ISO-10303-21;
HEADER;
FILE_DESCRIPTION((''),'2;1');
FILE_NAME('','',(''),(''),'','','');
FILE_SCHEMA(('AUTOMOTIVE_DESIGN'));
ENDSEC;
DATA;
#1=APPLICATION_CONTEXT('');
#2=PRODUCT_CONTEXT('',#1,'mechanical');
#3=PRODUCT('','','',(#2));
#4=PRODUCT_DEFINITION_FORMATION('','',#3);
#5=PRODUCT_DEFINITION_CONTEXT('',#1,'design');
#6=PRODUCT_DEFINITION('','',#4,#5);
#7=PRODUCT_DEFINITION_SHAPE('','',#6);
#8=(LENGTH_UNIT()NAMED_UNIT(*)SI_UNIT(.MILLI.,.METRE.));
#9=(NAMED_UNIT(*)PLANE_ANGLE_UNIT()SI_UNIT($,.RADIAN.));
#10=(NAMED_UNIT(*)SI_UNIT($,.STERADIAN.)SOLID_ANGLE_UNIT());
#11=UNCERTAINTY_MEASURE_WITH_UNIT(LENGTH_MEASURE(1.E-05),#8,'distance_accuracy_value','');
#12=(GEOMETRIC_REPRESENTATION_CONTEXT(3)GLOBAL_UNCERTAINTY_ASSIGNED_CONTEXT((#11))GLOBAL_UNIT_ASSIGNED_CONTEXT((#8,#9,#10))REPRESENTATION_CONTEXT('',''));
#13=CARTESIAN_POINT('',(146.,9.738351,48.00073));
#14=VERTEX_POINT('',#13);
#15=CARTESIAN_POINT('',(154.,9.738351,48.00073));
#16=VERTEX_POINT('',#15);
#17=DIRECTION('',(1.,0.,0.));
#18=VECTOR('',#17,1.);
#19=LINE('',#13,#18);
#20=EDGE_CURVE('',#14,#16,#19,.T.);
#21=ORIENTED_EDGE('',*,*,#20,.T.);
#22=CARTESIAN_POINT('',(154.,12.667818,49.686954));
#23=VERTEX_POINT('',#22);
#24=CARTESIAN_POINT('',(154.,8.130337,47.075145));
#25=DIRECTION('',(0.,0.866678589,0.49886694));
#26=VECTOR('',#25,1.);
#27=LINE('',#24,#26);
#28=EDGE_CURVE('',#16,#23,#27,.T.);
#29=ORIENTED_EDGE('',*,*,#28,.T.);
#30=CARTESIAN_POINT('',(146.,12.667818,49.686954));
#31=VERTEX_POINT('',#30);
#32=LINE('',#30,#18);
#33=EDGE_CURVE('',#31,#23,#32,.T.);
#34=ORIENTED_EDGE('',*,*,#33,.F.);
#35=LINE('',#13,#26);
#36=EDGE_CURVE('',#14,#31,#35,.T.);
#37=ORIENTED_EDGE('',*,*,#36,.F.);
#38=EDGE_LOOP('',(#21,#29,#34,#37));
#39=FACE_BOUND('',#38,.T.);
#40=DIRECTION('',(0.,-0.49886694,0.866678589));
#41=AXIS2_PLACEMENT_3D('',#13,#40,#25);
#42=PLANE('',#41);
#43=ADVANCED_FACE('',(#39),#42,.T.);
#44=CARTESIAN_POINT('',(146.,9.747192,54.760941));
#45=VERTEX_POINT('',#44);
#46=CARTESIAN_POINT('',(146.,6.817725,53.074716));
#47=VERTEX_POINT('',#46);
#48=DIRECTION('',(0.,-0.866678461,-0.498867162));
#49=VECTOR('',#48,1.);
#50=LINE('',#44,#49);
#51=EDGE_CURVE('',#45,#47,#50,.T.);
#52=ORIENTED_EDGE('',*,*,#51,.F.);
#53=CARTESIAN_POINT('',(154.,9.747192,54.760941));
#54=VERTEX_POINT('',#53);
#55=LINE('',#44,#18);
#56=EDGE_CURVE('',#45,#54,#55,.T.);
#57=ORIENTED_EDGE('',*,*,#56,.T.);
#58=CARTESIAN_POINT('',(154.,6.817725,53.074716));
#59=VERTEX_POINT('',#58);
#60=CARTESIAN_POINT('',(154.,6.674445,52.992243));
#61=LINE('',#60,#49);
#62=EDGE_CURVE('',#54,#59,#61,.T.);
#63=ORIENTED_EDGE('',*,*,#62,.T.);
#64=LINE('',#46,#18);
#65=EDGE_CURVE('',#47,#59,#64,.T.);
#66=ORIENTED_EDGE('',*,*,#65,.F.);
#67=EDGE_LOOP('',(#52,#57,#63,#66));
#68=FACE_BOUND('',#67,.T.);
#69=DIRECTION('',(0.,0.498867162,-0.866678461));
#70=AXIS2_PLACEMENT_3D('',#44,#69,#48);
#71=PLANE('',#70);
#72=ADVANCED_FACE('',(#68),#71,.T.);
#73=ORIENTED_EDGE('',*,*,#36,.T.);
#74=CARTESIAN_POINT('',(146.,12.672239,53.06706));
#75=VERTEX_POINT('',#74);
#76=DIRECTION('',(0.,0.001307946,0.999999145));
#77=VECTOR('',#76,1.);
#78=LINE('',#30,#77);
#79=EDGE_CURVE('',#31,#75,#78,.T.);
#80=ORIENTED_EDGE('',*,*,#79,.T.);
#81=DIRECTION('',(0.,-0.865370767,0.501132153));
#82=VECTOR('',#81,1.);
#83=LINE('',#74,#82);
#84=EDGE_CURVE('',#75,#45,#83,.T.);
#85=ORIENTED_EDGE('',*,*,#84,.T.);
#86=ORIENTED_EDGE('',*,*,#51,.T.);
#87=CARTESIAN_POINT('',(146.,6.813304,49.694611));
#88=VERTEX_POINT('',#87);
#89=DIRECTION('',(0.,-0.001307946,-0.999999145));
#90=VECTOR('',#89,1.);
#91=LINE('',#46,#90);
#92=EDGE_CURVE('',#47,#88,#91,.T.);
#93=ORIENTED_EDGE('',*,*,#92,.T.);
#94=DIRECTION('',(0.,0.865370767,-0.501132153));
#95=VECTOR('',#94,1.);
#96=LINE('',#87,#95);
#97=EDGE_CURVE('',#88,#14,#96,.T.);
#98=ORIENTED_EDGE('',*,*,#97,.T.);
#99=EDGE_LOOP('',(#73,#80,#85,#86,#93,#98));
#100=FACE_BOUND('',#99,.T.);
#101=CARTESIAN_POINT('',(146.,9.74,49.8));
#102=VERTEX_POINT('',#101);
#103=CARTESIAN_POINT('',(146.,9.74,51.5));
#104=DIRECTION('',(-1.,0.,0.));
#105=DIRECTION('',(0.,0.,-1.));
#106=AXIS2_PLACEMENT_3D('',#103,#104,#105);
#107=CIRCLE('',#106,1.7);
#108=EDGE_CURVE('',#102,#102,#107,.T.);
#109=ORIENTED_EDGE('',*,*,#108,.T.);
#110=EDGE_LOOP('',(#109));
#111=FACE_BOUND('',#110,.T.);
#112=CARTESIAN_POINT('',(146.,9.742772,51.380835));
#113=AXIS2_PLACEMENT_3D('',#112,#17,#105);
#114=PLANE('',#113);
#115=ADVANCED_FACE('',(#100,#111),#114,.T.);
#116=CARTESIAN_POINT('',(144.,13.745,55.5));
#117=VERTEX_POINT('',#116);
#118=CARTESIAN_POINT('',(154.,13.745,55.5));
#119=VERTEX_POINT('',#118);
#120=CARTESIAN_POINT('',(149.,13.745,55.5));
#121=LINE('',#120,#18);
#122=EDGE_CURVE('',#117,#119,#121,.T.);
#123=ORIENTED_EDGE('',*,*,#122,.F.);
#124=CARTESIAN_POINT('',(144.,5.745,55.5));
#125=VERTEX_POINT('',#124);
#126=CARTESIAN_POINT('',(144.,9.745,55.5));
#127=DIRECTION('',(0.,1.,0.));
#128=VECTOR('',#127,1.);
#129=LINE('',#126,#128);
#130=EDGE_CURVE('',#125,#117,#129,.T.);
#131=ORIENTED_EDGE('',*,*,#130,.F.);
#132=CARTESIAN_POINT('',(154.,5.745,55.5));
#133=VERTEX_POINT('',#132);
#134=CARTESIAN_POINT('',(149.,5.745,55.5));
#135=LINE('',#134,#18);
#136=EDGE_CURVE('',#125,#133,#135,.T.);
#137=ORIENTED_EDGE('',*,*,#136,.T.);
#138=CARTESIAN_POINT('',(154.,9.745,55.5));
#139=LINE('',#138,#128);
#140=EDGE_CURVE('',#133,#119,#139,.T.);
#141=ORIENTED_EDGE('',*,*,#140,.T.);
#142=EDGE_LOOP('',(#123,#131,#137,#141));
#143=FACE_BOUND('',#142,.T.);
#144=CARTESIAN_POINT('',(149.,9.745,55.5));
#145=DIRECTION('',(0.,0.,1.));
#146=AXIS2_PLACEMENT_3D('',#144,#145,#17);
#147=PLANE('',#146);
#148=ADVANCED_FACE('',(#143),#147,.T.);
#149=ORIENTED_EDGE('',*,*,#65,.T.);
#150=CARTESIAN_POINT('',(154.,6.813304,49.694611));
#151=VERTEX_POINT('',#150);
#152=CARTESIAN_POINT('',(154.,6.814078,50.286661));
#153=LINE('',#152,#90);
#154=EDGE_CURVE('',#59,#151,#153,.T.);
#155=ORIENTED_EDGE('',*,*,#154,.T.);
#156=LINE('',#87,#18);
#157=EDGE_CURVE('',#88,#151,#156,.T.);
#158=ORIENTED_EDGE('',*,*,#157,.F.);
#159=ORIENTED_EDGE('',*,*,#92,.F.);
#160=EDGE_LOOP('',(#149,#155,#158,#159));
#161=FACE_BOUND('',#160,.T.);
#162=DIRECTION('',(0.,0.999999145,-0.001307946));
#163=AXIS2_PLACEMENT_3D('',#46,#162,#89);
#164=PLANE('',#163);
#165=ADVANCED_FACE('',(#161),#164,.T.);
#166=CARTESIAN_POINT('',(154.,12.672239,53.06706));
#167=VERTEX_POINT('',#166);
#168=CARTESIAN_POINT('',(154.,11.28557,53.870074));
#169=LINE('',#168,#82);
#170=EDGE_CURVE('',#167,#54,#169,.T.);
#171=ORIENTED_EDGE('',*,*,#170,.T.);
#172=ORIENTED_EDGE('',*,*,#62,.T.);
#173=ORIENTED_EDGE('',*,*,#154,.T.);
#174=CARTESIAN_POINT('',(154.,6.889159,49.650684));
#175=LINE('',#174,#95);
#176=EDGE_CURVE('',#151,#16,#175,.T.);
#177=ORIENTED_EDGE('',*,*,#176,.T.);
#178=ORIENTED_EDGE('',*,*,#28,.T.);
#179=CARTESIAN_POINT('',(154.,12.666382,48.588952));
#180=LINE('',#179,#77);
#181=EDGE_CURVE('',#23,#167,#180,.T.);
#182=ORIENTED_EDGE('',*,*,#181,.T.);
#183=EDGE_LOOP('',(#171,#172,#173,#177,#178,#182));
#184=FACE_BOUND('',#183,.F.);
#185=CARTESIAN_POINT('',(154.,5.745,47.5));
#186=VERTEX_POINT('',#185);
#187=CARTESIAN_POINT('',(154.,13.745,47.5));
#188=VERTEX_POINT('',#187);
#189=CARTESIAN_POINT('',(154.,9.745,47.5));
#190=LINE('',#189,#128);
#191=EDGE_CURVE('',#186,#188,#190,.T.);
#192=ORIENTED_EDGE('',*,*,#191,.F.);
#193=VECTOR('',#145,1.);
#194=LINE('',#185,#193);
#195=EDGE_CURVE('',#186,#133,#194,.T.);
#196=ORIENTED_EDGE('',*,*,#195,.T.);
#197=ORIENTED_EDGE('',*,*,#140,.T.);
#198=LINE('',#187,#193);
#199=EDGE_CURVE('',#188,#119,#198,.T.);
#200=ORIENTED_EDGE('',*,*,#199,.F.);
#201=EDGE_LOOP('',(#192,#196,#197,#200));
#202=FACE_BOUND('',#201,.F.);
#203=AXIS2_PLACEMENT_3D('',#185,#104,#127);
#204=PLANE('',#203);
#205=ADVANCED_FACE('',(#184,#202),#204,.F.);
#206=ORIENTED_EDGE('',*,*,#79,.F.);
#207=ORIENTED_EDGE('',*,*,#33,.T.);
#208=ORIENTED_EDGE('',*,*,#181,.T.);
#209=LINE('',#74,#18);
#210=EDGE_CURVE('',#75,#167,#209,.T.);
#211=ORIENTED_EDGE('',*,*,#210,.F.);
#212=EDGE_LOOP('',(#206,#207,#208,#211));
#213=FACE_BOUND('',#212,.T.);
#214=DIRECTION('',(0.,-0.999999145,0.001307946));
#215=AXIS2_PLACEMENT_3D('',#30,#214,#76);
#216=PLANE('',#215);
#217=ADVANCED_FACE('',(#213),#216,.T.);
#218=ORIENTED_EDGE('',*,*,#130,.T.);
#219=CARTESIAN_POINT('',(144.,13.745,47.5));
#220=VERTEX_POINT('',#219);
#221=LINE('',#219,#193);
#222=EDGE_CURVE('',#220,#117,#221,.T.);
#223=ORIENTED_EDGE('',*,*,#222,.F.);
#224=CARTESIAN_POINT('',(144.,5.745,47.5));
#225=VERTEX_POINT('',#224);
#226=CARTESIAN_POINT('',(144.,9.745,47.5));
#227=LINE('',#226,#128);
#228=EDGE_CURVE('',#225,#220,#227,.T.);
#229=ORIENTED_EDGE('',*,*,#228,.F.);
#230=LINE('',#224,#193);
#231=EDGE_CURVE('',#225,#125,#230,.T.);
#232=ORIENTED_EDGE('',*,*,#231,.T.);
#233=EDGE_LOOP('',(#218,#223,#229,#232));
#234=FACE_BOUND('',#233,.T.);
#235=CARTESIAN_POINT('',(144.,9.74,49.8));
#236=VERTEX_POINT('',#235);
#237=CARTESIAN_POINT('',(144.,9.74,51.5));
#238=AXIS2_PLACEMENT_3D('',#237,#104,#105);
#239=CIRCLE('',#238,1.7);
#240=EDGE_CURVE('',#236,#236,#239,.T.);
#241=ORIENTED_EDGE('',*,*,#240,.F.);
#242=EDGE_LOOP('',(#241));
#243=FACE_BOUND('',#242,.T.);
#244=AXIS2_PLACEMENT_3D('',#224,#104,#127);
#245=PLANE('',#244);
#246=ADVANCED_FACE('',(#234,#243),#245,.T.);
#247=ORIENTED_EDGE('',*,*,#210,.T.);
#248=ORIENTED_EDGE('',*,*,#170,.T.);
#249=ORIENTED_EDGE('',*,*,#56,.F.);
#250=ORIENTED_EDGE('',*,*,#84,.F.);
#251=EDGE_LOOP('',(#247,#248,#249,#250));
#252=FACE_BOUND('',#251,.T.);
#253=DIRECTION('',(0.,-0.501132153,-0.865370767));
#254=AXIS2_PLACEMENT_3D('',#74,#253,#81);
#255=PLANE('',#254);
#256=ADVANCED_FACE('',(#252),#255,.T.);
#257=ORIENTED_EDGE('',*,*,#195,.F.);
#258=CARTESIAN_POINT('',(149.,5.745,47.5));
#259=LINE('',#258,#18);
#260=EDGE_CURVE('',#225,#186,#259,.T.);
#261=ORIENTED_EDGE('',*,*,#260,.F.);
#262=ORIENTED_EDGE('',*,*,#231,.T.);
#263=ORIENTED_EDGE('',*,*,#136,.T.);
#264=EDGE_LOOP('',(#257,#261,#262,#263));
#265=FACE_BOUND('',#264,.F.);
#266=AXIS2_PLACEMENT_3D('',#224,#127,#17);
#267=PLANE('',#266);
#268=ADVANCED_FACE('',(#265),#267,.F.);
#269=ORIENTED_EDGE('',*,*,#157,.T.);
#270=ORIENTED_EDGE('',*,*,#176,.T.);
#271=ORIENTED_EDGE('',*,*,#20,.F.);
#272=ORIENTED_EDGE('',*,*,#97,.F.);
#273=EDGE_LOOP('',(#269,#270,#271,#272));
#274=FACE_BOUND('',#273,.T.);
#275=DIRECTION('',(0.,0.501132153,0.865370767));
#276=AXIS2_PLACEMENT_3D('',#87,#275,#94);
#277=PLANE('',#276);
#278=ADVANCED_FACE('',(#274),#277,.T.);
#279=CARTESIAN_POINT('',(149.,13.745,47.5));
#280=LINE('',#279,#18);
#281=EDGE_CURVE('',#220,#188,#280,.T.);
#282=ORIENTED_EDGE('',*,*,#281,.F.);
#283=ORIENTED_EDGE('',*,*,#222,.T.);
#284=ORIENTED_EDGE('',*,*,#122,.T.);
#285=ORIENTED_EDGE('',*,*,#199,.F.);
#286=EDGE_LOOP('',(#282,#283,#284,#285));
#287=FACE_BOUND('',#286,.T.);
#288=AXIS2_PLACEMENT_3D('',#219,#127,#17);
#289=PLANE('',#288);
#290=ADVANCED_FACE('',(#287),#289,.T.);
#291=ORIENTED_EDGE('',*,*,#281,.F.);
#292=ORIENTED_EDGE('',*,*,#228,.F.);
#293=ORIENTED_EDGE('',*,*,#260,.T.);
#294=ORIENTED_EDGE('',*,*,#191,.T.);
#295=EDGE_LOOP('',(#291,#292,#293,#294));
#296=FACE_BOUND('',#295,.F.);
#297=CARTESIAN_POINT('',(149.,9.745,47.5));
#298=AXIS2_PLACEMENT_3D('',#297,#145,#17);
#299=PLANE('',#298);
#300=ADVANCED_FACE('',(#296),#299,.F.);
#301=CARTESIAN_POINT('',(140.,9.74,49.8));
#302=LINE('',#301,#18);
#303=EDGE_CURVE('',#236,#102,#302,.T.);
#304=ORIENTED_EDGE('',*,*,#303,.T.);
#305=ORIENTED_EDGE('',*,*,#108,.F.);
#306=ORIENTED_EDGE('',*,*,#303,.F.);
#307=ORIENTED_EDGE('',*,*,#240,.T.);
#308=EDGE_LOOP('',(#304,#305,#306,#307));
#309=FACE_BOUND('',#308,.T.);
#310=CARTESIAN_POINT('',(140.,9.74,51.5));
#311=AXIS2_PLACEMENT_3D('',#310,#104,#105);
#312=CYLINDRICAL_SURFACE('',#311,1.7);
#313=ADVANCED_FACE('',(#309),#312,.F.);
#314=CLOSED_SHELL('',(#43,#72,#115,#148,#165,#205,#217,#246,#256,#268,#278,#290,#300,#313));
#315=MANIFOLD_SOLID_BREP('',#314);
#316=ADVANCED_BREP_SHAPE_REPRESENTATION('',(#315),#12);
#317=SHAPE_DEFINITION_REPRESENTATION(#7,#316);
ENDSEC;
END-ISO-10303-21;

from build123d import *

# Parameters (mm, degrees)
CYLINDER031_R              = 1.7
CYLINDER031_DEPTH          = 20
EXTRUDE004_DEPTH           = 9
EXTRUDE004_PLACEMENT_ANGLE = 90
BOX042_W                   = 10
BOX042_H                   = 8
BOX042_DEPTH               = 8


with BuildPart() as cylinder031:
    # Cylinder031 → Cylinder031 (new body)
    with BuildSketch(Plane(origin=(140, 9.74, 51.5), x_dir=(0, 0, -1), z_dir=(1, 0, 0))):
        Circle(CYLINDER031_R)
    extrude(amount=CYLINDER031_DEPTH)


with BuildPart() as extrude004:
    # Sketch004 → Extrude004 (new body)
    with BuildSketch(Plane.XY.offset(75)):
        Polygon((-29.694611, 6.813304), (-28.00073, 9.738351), (-29.686954, 12.667818), (-33.06706, 12.672239), (-34.760941, 9.747192), (-33.074716, 6.817725), align=None)
    extrude(amount=EXTRUDE004_DEPTH)


with BuildPart() as extrude004_1:
    # Extrude004 placement: moved
    add(extrude004.part.moved(Location((71, 0, 0))).rotate(Axis((71, 0, 0), (0, 1, 0)), EXTRUDE004_PLACEMENT_ANGLE))


with BuildPart() as cut050:
    # Box042 → Box042 (new body)
    with BuildSketch(Plane(origin=(144, 5.745, 27.5), x_dir=(1, 0, 0), z_dir=(0, 0, 1))):
        with Locations((5, 4)):
            Rectangle(BOX042_W, BOX042_H)
    extrude(amount=BOX042_DEPTH)

    # Cut049: cut Extrude004
    add(extrude004_1.part, mode=Mode.SUBTRACT)


with BuildPart() as cut050_1:
    # Cut049 placement: moved
    add(cut050.part.moved(Location((0, 0, 20))))

    # Cut050: cut Cylinder031
    add(cylinder031.part, mode=Mode.SUBTRACT)


solid = cut050_1.part
